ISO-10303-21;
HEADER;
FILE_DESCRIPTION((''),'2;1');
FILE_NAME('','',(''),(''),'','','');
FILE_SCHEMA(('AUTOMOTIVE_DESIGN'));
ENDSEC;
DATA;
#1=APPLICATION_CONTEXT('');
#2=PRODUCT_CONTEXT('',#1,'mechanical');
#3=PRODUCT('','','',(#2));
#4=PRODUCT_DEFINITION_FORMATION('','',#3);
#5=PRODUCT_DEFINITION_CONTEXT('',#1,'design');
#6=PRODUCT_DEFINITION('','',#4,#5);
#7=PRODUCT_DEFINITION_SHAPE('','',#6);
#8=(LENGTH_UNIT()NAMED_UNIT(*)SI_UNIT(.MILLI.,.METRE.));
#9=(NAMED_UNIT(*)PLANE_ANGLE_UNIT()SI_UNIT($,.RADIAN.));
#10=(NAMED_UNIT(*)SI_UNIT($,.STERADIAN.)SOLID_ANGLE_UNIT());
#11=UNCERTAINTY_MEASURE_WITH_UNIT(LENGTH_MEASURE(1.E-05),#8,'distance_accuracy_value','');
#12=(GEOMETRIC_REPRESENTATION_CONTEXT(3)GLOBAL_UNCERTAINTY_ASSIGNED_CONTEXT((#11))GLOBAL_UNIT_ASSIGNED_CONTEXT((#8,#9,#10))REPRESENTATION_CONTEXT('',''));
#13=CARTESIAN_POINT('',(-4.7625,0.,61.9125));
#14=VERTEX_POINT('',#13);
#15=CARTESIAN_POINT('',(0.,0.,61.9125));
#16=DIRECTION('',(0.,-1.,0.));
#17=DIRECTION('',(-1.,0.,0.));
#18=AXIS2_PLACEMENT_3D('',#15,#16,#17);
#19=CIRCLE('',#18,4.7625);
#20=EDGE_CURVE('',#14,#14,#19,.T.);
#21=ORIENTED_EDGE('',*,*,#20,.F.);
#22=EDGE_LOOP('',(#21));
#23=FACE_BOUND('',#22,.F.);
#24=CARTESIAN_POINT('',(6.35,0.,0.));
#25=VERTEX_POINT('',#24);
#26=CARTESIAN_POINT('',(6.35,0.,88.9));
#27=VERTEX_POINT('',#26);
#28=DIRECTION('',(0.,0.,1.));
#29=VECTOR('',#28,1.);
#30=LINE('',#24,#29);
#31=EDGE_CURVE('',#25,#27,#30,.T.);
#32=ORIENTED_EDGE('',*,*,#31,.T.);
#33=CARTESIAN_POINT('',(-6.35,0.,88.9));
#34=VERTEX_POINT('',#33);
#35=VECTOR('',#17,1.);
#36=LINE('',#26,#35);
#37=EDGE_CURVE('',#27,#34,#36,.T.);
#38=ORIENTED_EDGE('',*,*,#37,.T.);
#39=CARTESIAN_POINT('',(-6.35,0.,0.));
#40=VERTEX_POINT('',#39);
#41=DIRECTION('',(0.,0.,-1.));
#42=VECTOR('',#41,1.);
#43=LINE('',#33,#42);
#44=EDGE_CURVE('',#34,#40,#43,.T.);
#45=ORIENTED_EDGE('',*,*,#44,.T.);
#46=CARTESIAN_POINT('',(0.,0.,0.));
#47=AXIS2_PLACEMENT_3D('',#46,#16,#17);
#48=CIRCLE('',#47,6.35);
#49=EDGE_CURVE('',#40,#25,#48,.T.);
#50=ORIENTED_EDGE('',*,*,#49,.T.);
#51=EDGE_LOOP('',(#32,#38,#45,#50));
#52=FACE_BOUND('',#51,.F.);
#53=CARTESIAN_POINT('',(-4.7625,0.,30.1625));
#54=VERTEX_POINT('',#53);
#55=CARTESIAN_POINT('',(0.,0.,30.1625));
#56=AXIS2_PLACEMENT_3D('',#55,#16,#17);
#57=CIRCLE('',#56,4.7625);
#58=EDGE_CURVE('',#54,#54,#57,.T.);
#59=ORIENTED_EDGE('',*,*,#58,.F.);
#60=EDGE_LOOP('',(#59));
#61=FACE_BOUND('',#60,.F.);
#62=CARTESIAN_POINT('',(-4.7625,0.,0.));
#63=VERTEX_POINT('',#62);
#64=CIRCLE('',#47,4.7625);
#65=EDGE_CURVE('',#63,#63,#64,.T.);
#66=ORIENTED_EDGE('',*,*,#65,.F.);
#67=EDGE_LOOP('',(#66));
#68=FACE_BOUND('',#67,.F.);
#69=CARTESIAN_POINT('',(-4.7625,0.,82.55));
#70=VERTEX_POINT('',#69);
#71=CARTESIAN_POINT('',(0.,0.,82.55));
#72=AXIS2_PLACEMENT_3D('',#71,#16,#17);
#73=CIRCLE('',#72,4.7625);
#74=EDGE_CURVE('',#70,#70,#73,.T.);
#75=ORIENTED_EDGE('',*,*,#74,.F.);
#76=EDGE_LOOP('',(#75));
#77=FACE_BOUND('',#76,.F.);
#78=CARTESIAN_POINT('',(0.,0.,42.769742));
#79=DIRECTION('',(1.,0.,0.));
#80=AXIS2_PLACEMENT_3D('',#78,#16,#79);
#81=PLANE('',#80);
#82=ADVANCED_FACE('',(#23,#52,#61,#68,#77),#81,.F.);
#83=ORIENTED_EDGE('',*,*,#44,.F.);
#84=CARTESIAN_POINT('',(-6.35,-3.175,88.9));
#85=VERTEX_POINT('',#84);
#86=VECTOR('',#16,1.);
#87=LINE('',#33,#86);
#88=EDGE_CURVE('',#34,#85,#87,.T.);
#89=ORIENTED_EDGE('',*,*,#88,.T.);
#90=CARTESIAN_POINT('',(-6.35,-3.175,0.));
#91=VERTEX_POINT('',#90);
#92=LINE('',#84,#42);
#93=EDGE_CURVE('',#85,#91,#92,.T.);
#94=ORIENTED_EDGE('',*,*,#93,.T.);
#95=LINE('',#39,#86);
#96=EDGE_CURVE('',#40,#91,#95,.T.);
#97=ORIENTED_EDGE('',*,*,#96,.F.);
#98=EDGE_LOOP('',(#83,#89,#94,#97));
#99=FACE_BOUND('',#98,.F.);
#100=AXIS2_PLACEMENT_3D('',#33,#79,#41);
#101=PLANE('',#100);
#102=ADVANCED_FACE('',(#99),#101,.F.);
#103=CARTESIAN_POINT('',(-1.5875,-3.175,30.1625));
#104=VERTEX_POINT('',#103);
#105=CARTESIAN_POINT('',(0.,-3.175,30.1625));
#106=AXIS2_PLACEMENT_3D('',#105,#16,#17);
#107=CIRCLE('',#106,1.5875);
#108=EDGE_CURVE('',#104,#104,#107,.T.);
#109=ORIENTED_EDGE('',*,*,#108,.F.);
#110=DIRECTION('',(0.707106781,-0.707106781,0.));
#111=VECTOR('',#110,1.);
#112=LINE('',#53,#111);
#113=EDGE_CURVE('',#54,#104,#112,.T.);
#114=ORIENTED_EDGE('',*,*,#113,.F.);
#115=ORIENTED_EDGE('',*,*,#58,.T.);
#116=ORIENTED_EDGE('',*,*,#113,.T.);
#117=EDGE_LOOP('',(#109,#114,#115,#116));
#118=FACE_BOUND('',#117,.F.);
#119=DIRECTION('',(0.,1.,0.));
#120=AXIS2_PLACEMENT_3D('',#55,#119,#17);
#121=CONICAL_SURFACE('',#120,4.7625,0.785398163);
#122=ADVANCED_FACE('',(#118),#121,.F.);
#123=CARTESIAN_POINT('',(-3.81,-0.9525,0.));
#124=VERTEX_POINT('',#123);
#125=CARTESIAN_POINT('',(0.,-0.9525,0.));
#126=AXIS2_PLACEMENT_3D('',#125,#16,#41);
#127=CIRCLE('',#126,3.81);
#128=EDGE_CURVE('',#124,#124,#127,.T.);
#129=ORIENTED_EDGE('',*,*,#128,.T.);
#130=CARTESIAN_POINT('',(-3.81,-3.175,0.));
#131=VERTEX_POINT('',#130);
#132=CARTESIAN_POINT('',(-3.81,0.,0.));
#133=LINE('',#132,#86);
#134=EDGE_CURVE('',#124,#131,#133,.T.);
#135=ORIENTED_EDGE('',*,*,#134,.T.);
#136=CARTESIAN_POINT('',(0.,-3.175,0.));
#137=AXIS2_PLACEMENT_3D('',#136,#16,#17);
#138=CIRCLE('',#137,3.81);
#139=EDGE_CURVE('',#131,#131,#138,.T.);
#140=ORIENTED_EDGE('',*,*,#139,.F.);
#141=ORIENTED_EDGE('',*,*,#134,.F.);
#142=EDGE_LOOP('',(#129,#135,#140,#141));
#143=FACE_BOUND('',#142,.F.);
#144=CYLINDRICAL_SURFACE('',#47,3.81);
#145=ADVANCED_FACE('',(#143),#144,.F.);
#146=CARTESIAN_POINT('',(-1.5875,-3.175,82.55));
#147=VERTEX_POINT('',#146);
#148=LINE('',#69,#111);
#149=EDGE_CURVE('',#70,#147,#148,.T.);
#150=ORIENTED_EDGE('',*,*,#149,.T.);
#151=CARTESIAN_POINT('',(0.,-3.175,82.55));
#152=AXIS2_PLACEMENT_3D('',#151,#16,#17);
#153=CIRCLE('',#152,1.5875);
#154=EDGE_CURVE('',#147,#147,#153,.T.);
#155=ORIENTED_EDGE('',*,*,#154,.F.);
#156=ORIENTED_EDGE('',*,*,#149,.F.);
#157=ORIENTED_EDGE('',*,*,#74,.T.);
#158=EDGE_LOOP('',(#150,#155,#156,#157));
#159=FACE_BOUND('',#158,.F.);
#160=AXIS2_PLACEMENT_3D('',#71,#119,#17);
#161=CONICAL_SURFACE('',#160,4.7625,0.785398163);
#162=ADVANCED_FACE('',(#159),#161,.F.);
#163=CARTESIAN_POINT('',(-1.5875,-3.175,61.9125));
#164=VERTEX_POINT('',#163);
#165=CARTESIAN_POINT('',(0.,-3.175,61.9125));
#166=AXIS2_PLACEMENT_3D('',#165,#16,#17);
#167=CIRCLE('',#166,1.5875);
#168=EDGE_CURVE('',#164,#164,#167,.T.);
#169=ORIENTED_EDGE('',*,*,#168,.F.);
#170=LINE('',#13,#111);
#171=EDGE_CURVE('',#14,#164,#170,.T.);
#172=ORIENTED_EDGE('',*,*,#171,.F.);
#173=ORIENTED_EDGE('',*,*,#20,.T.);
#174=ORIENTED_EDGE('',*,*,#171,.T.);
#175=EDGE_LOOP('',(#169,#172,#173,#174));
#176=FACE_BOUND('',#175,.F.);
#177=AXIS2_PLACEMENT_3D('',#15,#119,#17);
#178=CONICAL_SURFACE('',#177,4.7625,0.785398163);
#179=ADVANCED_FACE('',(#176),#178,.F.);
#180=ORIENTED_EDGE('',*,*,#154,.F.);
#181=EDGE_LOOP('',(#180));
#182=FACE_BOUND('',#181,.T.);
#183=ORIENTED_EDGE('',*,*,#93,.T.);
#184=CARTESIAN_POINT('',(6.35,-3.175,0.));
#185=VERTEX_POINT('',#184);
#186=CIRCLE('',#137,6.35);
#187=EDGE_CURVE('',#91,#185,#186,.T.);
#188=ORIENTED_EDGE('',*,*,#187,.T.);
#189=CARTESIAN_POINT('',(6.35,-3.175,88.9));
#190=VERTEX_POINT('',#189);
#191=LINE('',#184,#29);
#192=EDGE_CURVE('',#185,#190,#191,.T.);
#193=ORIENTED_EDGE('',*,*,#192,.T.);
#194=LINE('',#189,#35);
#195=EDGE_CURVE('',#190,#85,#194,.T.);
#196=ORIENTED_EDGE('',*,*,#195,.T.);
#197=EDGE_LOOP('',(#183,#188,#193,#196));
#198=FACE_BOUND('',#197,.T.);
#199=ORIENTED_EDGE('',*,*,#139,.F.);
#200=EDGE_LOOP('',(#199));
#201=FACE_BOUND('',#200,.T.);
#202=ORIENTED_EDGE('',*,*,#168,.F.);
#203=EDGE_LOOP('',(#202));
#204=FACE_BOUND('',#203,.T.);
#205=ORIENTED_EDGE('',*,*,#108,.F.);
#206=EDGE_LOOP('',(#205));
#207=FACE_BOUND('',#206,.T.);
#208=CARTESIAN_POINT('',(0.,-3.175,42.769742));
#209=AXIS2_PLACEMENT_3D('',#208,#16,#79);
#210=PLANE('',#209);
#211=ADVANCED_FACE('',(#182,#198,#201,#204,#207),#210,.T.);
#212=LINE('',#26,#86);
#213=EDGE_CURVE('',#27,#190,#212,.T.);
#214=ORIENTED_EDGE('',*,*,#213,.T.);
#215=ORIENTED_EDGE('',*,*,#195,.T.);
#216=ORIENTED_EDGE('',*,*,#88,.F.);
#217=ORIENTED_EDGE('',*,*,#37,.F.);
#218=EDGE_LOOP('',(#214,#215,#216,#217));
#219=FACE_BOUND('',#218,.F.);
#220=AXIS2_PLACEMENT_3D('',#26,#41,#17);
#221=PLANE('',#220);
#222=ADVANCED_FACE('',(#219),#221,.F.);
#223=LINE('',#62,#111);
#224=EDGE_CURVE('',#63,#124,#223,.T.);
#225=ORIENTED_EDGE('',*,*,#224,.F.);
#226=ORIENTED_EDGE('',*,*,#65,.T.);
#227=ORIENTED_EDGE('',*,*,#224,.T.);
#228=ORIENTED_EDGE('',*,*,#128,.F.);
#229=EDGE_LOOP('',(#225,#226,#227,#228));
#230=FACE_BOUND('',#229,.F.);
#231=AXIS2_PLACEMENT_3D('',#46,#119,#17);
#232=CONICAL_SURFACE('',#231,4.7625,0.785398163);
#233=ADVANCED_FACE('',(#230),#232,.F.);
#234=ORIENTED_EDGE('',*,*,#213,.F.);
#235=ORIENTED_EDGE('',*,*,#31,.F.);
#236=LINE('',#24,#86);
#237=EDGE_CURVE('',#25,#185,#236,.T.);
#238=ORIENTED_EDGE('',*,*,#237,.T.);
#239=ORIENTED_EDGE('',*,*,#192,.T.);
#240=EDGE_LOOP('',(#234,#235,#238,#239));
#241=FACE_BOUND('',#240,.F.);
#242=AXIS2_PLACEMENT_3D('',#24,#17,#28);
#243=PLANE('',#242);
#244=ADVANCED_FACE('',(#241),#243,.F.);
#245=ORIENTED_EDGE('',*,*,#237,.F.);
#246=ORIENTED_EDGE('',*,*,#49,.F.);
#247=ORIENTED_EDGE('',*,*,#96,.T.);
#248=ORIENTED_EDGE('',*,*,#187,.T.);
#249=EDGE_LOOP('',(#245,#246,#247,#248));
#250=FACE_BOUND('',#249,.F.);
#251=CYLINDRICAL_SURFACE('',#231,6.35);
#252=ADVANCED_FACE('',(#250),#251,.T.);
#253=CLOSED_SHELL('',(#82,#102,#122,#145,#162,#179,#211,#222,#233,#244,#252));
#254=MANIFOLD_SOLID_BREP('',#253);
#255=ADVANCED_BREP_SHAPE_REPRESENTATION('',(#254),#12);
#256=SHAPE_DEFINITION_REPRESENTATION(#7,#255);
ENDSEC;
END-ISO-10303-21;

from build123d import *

# Parameters (mm, degrees)
F1_DEPTH       = 3.175
F2_D           = 2.54
F2_CSINK_D     = 9.525
F2_CSINK_ANGLE = 90
F3_D           = 7.62
F3_CSINK_D     = 9.525
F3_CSINK_ANGLE = 90


with BuildPart() as f1:
    # F0 (on Front) → F1 (new body)
    with BuildSketch(Plane.XZ):
        with BuildLine():
            Line((6.35, 0), (6.35, 88.9))
            Line((6.35, 88.9), (-6.35, 88.9))
            Line((-6.35, 88.9), (-6.35, 0))
            ThreePointArc((-6.35, 0), (0, -6.35), (6.35, 0))
        make_face()
    extrude(amount=F1_DEPTH)

    # F2 (through all)
    with Locations(Plane(origin=(0, 0, 0), x_dir=(1, 0, 0), z_dir=(0, 1, 0))):
        with Locations((0, -82.55), (0, -61.9125), (0, -30.1625)):
            CounterSinkHole(F2_D / 2, F2_CSINK_D / 2, counter_sink_angle=F2_CSINK_ANGLE)

    # F3 (through all)
    with Locations(Plane(origin=(0, 0, 0), x_dir=(1, 0, 0), z_dir=(0, 1, 0))):
        with Locations((0, 0)):
            CounterSinkHole(F3_D / 2, F3_CSINK_D / 2, counter_sink_angle=F3_CSINK_ANGLE)


solid = f1.part
